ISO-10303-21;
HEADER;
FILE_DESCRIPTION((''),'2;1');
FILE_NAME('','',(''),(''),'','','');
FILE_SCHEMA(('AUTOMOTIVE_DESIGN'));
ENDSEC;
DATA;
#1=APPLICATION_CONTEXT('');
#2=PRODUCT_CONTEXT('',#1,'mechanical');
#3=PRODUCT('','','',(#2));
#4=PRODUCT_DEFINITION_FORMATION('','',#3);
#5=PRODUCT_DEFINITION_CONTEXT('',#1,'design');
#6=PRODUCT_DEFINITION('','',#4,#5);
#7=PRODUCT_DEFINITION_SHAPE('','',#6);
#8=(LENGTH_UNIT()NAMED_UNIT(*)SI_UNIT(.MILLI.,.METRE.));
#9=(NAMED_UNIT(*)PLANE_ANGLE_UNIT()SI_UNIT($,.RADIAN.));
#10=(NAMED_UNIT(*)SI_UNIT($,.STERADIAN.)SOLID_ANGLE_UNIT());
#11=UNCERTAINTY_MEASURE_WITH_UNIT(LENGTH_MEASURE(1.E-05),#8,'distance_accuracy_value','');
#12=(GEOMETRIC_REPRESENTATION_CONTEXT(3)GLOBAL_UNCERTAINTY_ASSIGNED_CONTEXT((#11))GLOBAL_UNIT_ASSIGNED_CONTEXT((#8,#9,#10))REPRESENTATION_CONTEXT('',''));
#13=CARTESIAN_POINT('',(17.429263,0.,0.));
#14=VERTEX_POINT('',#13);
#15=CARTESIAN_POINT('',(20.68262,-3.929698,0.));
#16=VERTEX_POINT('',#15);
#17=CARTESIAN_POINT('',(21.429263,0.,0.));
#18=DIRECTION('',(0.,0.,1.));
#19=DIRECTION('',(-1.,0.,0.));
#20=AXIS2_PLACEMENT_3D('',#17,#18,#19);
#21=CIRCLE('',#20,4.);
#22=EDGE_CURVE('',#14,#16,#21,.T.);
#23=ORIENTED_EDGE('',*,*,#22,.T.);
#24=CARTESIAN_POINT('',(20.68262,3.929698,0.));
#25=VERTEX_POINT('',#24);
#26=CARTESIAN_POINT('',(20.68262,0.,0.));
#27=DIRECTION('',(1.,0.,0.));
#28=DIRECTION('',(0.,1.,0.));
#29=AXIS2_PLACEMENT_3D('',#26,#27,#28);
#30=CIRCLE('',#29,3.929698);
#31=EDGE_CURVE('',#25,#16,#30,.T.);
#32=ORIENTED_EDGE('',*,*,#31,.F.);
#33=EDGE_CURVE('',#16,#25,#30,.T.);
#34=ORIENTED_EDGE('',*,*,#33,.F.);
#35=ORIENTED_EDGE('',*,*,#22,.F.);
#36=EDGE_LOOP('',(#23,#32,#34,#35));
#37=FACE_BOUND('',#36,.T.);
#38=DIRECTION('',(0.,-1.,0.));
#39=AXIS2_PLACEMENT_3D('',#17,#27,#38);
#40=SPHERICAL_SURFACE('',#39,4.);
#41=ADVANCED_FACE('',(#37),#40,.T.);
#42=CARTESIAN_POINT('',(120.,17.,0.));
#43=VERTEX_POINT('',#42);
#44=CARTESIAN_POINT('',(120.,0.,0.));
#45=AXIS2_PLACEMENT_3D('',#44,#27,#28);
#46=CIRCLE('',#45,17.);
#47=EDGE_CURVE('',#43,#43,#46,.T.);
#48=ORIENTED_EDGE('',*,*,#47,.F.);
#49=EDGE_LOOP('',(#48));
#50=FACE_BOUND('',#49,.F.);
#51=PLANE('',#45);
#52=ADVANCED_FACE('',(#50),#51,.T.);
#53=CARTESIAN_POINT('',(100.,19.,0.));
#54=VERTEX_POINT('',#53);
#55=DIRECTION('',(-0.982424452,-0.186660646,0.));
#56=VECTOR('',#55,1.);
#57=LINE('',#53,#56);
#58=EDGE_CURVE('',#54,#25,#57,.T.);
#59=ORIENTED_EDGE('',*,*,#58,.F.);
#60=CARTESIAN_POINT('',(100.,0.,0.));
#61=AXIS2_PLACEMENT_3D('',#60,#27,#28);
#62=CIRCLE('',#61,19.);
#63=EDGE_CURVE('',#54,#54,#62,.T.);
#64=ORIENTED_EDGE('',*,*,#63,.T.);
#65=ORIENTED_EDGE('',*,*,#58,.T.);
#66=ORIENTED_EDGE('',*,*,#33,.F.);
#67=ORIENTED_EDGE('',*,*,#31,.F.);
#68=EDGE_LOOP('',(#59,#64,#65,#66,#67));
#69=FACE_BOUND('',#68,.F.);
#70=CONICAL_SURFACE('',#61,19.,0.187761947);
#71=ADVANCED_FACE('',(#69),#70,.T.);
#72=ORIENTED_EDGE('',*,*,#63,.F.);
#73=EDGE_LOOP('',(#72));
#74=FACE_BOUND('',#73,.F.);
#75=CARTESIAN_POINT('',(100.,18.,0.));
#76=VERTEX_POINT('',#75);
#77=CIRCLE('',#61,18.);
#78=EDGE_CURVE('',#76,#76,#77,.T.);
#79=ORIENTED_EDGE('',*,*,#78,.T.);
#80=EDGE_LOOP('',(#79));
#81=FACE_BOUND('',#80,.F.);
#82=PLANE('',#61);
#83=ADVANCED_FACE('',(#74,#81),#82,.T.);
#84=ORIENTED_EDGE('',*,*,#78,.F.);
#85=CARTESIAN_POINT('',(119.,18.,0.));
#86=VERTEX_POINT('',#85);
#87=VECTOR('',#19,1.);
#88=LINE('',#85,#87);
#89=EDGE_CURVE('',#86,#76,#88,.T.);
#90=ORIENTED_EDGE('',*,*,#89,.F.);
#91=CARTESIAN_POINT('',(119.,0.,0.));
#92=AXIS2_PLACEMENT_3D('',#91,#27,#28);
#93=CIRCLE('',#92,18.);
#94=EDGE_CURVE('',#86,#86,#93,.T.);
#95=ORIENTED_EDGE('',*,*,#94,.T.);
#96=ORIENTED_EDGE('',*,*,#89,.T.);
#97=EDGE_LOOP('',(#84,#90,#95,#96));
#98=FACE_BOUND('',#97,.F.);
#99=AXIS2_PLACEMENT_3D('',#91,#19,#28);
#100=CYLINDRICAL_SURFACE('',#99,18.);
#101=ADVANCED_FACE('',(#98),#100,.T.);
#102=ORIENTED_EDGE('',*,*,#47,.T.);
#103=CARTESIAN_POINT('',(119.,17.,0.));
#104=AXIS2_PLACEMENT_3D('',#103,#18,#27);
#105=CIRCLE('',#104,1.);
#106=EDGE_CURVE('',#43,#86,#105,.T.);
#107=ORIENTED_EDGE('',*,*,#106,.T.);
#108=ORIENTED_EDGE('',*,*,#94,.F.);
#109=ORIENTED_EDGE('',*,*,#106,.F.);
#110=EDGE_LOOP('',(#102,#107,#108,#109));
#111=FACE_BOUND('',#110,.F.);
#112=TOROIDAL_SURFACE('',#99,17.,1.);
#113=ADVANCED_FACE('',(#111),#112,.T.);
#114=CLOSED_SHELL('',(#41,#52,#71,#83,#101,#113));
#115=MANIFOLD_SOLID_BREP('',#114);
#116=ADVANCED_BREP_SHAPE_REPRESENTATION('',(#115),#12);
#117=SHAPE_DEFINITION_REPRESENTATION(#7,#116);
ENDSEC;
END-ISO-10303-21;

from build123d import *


with BuildPart() as f2:
    # F1 (on Top) → F2 (revolve)
    with BuildSketch(Plane.XY):
        with BuildLine():
            Line((25.4292626191, 0), (100, 0))
            Line((100, 0), (100, 18))
            Line((100, 18), (100, 19))
            Line((100, 19), (20.6826198503, 3.9296977715))
            ThreePointArc((20.6826198503, 3.9296977715), (23.9800888504, 3.0811175793), (25.4292626191, 0))
        make_face()
        with BuildLine():
            ThreePointArc((17.4292626191, 0), (21.4292626191, -4), (25.4292626191, 0))
            Line((25.4292626191, 0), (17.4292626191, 0))
        make_face()
        with BuildLine():
            Line((100, 18), (100, 0))
            Line((100, 0), (115, 0))
            Line((115, 0), (120, 0))
            Line((120, 0), (120, 17))
            ThreePointArc((120, 17), (119.7071067812, 17.7071067812), (119, 18))
            Line((119, 18), (100, 18))
        make_face()
    revolve(axis=Axis((57.5, 0, 0), (1, 0, 0)))


solid = f2.part
